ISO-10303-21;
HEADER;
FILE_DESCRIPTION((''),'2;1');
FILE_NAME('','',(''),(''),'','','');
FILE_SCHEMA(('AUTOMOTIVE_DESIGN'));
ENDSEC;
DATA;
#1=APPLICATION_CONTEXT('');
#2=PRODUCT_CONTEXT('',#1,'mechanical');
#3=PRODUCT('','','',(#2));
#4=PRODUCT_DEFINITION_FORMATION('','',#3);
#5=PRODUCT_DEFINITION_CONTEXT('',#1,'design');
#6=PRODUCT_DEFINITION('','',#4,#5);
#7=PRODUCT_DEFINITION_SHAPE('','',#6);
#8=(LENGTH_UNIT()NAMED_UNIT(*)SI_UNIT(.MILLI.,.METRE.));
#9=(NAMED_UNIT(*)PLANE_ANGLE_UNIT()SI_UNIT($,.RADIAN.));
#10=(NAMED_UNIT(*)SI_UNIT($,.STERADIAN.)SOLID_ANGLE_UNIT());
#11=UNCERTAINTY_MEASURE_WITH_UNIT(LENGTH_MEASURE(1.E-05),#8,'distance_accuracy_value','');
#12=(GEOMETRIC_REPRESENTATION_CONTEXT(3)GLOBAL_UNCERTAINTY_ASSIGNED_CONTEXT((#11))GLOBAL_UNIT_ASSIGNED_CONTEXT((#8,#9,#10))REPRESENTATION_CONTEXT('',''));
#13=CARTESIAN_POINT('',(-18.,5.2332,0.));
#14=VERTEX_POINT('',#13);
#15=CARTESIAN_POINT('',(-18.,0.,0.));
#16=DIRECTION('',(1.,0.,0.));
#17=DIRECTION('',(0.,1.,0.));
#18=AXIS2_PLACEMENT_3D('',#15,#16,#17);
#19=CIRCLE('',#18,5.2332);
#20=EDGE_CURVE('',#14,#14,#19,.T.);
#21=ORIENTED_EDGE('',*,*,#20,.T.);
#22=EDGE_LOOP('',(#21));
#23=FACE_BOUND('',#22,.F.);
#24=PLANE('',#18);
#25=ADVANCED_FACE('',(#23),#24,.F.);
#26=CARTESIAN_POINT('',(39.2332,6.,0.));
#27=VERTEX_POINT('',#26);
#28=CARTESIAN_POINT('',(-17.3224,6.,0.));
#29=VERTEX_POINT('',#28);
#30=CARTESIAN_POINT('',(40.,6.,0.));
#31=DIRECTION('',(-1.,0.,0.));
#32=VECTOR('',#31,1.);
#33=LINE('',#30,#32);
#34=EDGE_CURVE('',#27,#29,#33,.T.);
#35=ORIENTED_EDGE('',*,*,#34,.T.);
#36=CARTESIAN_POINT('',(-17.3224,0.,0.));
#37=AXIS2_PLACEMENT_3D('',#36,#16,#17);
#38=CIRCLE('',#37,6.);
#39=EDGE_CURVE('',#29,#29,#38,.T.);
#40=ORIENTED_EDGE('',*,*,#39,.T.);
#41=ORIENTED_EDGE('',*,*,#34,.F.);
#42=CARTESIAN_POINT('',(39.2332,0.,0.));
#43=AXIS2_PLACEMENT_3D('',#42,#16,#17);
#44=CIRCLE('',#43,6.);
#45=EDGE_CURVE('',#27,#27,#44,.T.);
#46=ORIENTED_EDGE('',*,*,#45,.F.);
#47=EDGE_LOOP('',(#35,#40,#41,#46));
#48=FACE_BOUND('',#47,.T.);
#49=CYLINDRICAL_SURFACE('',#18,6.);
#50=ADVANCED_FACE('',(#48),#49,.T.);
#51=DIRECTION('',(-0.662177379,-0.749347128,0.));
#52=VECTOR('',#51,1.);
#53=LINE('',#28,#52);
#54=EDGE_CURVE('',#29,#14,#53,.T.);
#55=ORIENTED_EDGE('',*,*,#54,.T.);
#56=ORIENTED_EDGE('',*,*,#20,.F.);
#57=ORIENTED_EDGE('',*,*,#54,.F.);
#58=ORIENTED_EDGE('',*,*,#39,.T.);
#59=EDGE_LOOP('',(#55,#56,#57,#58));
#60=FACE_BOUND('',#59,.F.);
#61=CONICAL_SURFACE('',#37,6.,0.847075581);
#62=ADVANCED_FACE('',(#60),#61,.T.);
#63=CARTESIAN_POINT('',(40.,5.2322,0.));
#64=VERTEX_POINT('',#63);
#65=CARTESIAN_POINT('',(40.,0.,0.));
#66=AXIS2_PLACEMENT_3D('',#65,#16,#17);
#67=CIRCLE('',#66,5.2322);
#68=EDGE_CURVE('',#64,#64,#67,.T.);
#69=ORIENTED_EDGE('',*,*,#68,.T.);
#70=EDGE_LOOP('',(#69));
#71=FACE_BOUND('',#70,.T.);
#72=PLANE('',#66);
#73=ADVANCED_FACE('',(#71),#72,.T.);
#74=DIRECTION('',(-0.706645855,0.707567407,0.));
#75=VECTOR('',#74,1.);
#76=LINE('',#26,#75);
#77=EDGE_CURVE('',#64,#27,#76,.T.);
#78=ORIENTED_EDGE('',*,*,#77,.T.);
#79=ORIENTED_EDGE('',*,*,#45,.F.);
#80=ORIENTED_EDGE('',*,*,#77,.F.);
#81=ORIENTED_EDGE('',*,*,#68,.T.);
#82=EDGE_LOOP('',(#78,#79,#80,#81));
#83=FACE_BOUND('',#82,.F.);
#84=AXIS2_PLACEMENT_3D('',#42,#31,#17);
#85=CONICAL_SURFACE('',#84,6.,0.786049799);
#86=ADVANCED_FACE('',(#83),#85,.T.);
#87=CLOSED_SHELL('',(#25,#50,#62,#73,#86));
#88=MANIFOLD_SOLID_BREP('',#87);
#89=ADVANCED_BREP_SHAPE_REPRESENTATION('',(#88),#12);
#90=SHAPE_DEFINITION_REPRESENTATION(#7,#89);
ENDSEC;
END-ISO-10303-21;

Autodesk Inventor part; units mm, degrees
ref_plane "YZ Plane" through (0, 0, 0) normal (1, 0, 0) x (0, 1, 0)
ref_plane "XZ Plane" through (0, 0, 0) normal (0, 1, 0) x (-1, 0, 0)
sketch "Skizze1" plane through (0, 0, 0) normal (0, 0, 1) x (1, 0, 0)
  line L0 (40, 6) -> (40, 0)
  line L1 (-18, 0) -> (40, 0)
  line L2 (-29.6, 0) -> (51.6, 0) projected
  line L3 (0, 7.2) -> (0, -1.2) projected
  line L4 (-18, 6) -> (-18, 0)
  line L5 (10, 6) -> (10, 0) construction
  line L6 (-29.6, 0) -> (51.6, 0) projected
  line L7 (-18, 6) -> (40, 6)
  dimension "d4" = 18
  dimension "d5" = 40
  dimension "d6" = 30
  dimension "d13" = 12
revolve "Körper" add sketch "Skizze1" angle 360 about axis through (-18, 0, 0) along (1, 0, 0)
thread "Gewinde1" size "M12x1.25" class "6g" standard "ISO Metric profile" length 18
thread "Gewinde2" size "M12x1.25" class "6g" standard "ISO Metric profile" length 30.7668
chamfer "Fase1" distance 0.7678 distance2 0.7668 1 edges at (40, -6, 0) measured on face at (40, -3.0269, -1.5886)
chamfer "Fase2" distance 0.6776 distance2 0.7668 1 edges at (-18, -6, 0) measured on face at (20.1555, 5.9805, -0.4828)
ref_plane "Work Plane1" through (2.75, 0, 0) normal (0, -1, 0) x (1, 0, 0)
equation "\"d4\" = KOH"
equation "\"d5\" = NLG"
equation "\"d6\" = GEL"
equation "\"d13\" = GD"
equation "\"d1\" = KOH"
equation "\"d7\" = GEL + GAL"
equation "\"d10\" = -0.5 * SPD + 0.5 * GD"
equation "\"d12\" = -0.5 * SPD + 0.5 * GD"
equation "\"NLG\" = 40"
equation "\"GEL\" = 30"
equation "\"GAL\" = 0.61345 * PTC"
equation "\"SPD\" = NND - 1.2269 * PTC"
equation "\"d0\" = GD"
equation "\"GUL\" = 0.61345 * PTC"
equation "\"KOH\" = 18"
equation "\"GD\" = NND"
equation "\"BDM\" = NND"
equation "\"GUL1\" = 0.67658"
equation "\"GAL1\" = GAL"
equation "\"d80\" = -GUL - GEL"
equation "\"d86\" = -KOH + GUL1"
equation "\"PTC\" = 1.25"
equation "\"THREADDIA\" = 12"
equation "\"TOA\" = 30deg"
equation "\"NND\" = 12"
equation "\"GD1\" = THREADDIA - 1.2269 * PTC"
properties part number "UNI 5910 - M12 x 1,25 x 40" material "Steel, Mild"
